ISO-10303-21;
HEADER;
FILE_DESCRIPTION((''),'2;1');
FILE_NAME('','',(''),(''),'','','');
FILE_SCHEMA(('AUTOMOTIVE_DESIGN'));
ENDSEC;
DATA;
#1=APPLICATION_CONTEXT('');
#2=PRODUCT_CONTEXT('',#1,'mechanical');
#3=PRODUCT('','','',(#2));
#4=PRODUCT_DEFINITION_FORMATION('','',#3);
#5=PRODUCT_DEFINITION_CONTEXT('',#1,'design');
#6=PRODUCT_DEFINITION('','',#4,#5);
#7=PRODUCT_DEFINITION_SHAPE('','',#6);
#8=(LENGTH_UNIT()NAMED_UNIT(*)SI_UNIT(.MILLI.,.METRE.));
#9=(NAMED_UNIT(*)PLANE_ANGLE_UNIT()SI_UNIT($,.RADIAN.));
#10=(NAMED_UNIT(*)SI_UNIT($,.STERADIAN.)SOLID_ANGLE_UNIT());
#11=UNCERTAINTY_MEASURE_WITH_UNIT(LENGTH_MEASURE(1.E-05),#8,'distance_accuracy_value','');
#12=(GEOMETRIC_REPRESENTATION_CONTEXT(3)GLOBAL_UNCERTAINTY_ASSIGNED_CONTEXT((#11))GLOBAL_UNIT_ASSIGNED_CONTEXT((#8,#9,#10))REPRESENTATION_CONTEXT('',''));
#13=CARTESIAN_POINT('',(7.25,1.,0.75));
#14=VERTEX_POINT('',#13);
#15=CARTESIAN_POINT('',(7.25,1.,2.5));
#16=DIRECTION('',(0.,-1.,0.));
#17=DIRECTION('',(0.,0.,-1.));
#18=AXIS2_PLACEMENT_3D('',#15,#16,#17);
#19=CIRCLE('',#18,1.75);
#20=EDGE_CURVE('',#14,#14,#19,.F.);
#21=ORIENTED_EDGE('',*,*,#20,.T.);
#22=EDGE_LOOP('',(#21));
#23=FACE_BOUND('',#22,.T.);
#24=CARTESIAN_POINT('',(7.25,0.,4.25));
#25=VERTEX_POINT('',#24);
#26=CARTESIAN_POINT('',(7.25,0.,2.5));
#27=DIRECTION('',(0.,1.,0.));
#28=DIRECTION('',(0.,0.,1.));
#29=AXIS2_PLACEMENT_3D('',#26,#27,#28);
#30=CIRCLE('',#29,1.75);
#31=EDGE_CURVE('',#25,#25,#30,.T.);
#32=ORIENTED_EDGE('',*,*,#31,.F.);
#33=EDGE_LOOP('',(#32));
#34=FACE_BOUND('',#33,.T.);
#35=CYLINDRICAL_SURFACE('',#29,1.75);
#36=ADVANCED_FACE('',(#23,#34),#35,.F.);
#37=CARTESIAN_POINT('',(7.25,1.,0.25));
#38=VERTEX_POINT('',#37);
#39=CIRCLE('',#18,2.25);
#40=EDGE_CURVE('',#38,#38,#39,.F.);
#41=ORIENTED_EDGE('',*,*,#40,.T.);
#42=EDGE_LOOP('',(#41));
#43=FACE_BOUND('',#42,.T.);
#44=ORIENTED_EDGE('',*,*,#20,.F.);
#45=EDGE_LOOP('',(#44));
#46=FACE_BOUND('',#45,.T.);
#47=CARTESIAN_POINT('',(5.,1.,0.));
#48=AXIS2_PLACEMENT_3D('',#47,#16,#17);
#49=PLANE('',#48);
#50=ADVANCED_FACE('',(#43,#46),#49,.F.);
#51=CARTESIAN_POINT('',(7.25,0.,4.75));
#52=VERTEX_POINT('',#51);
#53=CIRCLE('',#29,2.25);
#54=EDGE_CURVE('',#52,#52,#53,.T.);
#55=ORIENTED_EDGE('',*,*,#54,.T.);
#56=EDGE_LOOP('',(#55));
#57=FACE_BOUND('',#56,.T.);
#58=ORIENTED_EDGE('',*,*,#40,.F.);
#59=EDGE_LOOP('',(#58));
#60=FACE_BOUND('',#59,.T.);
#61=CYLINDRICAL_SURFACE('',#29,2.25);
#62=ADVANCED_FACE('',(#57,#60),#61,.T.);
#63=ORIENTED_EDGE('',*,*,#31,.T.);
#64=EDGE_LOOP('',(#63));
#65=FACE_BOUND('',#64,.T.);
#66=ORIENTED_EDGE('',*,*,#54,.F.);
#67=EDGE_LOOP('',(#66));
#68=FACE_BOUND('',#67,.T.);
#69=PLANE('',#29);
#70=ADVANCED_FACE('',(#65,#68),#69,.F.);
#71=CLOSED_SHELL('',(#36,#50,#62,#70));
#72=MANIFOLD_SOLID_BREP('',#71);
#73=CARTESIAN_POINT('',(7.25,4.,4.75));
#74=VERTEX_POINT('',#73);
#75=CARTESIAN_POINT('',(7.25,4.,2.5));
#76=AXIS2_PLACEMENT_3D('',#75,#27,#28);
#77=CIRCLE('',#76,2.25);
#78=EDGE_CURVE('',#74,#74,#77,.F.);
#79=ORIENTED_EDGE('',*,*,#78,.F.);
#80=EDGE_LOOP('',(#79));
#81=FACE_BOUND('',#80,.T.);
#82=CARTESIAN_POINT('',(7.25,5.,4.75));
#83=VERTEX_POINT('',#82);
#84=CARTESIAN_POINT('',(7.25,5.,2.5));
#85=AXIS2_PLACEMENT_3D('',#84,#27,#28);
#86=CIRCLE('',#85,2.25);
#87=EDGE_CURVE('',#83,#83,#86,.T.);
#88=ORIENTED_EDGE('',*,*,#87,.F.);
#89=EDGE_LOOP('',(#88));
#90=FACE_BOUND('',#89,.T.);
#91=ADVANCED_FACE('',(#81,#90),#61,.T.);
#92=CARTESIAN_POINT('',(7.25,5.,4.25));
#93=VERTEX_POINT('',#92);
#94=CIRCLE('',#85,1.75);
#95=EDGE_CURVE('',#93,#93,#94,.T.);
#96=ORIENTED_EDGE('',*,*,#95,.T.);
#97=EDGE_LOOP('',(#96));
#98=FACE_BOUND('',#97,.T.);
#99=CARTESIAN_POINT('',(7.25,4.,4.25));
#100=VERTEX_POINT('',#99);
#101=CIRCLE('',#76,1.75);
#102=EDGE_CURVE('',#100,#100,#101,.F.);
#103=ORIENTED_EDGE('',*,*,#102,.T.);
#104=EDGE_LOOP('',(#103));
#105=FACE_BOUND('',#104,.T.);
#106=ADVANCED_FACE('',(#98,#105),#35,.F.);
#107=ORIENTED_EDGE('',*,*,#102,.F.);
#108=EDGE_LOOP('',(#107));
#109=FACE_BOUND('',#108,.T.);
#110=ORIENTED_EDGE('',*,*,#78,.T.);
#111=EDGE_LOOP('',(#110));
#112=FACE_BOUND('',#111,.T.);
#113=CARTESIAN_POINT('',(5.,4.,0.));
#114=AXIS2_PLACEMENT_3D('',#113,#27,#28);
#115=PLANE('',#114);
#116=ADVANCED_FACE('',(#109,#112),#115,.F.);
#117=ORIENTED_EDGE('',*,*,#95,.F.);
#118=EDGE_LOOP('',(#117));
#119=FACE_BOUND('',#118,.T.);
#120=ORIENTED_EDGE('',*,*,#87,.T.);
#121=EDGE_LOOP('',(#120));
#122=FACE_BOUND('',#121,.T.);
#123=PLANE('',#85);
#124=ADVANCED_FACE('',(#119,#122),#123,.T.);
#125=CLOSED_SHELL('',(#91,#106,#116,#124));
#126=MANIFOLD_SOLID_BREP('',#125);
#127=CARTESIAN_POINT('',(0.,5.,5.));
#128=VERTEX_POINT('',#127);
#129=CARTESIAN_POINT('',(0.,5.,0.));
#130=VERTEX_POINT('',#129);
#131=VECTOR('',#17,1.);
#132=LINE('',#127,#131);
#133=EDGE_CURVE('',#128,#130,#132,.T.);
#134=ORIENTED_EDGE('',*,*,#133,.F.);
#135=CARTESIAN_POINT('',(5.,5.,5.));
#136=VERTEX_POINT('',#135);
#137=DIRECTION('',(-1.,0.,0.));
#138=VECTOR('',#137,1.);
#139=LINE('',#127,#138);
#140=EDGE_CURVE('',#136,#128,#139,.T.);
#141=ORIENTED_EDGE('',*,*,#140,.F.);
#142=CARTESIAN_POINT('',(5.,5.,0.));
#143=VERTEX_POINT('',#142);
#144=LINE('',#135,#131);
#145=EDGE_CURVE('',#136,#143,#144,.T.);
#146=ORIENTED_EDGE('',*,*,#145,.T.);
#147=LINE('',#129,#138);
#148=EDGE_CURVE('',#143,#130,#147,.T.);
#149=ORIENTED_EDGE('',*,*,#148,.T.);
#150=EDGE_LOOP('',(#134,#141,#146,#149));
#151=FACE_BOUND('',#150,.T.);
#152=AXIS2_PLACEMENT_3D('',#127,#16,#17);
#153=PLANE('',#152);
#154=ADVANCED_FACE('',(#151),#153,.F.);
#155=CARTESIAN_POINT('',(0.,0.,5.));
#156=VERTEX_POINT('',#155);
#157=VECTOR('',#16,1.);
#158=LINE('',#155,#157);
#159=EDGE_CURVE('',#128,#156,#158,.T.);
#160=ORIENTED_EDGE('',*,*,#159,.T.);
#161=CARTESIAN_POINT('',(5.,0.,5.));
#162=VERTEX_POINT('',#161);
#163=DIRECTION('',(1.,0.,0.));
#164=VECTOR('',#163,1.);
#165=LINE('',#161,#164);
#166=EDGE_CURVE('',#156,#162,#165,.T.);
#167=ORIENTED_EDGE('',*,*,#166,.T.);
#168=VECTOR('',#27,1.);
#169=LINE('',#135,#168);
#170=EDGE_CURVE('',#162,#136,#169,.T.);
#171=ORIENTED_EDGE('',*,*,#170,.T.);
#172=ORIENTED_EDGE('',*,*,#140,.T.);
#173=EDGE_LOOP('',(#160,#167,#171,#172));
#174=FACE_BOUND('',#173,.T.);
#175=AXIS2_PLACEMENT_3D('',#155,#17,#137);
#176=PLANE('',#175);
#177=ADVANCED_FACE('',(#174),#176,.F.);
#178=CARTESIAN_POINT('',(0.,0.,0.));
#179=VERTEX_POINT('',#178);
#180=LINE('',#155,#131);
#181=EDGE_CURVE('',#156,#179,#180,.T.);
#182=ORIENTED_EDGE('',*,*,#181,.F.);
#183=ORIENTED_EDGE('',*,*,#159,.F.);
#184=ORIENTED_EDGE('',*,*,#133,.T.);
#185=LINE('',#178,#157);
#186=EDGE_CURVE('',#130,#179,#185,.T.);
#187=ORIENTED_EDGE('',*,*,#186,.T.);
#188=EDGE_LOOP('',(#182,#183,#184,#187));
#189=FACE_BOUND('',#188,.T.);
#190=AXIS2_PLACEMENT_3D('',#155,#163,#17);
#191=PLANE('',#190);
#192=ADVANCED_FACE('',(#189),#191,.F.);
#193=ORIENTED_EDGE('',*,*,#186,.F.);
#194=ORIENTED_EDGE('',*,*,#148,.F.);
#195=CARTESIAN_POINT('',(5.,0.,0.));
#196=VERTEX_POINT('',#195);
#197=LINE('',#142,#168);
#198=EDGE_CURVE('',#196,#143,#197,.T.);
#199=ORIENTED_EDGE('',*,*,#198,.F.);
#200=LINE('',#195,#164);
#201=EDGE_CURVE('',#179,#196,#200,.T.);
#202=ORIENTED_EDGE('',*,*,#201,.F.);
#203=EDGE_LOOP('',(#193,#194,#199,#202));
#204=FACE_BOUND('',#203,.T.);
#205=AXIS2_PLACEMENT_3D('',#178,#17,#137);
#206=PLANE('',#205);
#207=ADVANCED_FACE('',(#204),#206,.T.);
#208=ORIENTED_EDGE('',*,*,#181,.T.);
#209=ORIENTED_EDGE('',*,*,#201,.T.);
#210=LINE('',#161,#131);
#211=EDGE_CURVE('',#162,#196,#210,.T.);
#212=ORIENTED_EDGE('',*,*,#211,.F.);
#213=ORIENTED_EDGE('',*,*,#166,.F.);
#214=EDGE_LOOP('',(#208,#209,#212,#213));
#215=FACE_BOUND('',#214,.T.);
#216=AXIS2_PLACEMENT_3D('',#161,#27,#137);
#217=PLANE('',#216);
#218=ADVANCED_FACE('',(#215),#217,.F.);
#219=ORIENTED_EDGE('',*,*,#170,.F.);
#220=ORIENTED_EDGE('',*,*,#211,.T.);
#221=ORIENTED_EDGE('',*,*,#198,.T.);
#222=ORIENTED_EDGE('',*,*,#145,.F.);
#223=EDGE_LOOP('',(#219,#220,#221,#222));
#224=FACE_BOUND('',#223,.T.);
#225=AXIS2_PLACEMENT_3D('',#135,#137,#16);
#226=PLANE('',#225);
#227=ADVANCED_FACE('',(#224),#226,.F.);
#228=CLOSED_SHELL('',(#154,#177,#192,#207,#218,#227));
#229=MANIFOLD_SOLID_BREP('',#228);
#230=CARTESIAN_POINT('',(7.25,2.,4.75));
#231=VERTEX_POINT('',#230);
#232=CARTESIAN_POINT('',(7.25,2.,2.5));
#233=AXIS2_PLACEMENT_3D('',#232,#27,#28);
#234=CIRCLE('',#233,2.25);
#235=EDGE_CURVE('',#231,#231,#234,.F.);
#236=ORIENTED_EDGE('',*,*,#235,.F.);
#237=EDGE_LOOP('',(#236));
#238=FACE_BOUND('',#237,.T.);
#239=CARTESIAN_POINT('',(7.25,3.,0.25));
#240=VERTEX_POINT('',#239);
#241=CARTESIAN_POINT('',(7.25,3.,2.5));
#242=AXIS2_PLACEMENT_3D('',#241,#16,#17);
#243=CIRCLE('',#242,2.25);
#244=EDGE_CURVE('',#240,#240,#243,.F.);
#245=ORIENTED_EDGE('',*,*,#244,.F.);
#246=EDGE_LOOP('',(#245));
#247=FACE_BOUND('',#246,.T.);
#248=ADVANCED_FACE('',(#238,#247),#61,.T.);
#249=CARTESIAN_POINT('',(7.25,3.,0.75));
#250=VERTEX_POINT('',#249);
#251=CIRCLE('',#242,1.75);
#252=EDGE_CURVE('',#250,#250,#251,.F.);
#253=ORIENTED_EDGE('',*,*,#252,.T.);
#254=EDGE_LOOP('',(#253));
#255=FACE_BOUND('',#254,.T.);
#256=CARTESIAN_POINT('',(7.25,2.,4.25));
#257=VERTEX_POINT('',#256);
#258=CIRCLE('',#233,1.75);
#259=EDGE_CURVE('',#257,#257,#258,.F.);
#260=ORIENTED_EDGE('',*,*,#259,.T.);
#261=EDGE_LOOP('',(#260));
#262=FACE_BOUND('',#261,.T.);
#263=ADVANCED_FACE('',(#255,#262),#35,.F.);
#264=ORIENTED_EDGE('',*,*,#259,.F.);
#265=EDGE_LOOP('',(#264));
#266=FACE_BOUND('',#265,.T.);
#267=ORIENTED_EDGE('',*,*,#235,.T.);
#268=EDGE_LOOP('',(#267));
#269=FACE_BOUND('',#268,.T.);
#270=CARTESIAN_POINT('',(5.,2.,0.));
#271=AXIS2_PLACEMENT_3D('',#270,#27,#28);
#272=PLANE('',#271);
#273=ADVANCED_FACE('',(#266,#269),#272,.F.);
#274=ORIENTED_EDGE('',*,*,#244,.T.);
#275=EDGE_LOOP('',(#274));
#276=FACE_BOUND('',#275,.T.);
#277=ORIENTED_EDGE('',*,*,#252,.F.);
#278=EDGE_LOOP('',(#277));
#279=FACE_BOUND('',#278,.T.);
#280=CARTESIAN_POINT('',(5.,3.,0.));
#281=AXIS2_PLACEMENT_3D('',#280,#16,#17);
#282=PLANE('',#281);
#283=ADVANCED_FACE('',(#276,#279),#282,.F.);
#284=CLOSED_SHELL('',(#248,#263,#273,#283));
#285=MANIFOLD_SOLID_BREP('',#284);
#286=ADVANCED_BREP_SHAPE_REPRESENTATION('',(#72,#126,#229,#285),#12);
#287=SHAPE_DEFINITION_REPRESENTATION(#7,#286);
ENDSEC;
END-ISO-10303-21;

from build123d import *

# Parameters (mm, degrees)
SKETCH2_W           = 5
SKETCH2_H           = 5
BOSS_EXTRUDE1_DEPTH = 5
SKETCH7_R           = 2.25
SKETCH7_R_2         = 1.75
BOSS_EXTRUDE4_DEPTH = 5
SKETCH14_W          = 4.5
SKETCH14_H          = 1
CUT_EXTRUDE8_DEPTH  = 5


with BuildPart() as part:
    # Sketch2 → Boss-Extrude1 (new body)
    with BuildSketch(Plane.XY):
        with Locations((2.5, 2.5)):
            Rectangle(SKETCH2_W, SKETCH2_H)
    extrude(amount=BOSS_EXTRUDE1_DEPTH)


with BuildPart() as body_2:
    # Sketch7 → Boss-Extrude4 (new body)
    with BuildSketch(Plane(origin=(0, 5, 0), x_dir=(1, 0, 0), z_dir=(0, 1, 0))):
        with Locations(Location((7.25, -2.5, 0), (0, 0, 270))):
            Circle(SKETCH7_R)
        with Locations(Location((7.25, -2.5, 0), (0, 0, 270))):
            Circle(SKETCH7_R_2, mode=Mode.SUBTRACT)
    extrude(amount=-BOSS_EXTRUDE4_DEPTH)

    # Sketch14 → Cut-Extrude8 (cut)
    with BuildSketch(Plane.XY.offset(5)):
        with Locations((7.25, 3.5)):
            Rectangle(SKETCH14_W, SKETCH14_H)
        with Locations((7.25, 1.5)):
            Rectangle(SKETCH14_W, SKETCH14_H)
    extrude(amount=-CUT_EXTRUDE8_DEPTH, mode=Mode.SUBTRACT)


with BuildPart() as cut_extrude8_piece_1:
    # of the separate pieces the step leaves, piece 1, a body of its own (cut_extrude8_pieces)
    add(body_2.part.solids().sort_by_distance((7.25, 3, 4.75))[0])


with BuildPart() as cut_extrude8_piece_2:
    # of the separate pieces the step leaves, piece 2, a body of its own (cut_extrude8_pieces)
    add(body_2.part.solids().sort_by_distance((7.25, 1, 4.75))[0])


with BuildPart() as cut_extrude8_piece_3:
    # of the separate pieces the step leaves, piece 3, a body of its own (cut_extrude8_pieces)
    add(body_2.part.solids().sort_by_distance((7.25, 5, 4.75))[0])


solid = Compound([part.part, cut_extrude8_piece_1.part, cut_extrude8_piece_2.part, cut_extrude8_piece_3.part])
